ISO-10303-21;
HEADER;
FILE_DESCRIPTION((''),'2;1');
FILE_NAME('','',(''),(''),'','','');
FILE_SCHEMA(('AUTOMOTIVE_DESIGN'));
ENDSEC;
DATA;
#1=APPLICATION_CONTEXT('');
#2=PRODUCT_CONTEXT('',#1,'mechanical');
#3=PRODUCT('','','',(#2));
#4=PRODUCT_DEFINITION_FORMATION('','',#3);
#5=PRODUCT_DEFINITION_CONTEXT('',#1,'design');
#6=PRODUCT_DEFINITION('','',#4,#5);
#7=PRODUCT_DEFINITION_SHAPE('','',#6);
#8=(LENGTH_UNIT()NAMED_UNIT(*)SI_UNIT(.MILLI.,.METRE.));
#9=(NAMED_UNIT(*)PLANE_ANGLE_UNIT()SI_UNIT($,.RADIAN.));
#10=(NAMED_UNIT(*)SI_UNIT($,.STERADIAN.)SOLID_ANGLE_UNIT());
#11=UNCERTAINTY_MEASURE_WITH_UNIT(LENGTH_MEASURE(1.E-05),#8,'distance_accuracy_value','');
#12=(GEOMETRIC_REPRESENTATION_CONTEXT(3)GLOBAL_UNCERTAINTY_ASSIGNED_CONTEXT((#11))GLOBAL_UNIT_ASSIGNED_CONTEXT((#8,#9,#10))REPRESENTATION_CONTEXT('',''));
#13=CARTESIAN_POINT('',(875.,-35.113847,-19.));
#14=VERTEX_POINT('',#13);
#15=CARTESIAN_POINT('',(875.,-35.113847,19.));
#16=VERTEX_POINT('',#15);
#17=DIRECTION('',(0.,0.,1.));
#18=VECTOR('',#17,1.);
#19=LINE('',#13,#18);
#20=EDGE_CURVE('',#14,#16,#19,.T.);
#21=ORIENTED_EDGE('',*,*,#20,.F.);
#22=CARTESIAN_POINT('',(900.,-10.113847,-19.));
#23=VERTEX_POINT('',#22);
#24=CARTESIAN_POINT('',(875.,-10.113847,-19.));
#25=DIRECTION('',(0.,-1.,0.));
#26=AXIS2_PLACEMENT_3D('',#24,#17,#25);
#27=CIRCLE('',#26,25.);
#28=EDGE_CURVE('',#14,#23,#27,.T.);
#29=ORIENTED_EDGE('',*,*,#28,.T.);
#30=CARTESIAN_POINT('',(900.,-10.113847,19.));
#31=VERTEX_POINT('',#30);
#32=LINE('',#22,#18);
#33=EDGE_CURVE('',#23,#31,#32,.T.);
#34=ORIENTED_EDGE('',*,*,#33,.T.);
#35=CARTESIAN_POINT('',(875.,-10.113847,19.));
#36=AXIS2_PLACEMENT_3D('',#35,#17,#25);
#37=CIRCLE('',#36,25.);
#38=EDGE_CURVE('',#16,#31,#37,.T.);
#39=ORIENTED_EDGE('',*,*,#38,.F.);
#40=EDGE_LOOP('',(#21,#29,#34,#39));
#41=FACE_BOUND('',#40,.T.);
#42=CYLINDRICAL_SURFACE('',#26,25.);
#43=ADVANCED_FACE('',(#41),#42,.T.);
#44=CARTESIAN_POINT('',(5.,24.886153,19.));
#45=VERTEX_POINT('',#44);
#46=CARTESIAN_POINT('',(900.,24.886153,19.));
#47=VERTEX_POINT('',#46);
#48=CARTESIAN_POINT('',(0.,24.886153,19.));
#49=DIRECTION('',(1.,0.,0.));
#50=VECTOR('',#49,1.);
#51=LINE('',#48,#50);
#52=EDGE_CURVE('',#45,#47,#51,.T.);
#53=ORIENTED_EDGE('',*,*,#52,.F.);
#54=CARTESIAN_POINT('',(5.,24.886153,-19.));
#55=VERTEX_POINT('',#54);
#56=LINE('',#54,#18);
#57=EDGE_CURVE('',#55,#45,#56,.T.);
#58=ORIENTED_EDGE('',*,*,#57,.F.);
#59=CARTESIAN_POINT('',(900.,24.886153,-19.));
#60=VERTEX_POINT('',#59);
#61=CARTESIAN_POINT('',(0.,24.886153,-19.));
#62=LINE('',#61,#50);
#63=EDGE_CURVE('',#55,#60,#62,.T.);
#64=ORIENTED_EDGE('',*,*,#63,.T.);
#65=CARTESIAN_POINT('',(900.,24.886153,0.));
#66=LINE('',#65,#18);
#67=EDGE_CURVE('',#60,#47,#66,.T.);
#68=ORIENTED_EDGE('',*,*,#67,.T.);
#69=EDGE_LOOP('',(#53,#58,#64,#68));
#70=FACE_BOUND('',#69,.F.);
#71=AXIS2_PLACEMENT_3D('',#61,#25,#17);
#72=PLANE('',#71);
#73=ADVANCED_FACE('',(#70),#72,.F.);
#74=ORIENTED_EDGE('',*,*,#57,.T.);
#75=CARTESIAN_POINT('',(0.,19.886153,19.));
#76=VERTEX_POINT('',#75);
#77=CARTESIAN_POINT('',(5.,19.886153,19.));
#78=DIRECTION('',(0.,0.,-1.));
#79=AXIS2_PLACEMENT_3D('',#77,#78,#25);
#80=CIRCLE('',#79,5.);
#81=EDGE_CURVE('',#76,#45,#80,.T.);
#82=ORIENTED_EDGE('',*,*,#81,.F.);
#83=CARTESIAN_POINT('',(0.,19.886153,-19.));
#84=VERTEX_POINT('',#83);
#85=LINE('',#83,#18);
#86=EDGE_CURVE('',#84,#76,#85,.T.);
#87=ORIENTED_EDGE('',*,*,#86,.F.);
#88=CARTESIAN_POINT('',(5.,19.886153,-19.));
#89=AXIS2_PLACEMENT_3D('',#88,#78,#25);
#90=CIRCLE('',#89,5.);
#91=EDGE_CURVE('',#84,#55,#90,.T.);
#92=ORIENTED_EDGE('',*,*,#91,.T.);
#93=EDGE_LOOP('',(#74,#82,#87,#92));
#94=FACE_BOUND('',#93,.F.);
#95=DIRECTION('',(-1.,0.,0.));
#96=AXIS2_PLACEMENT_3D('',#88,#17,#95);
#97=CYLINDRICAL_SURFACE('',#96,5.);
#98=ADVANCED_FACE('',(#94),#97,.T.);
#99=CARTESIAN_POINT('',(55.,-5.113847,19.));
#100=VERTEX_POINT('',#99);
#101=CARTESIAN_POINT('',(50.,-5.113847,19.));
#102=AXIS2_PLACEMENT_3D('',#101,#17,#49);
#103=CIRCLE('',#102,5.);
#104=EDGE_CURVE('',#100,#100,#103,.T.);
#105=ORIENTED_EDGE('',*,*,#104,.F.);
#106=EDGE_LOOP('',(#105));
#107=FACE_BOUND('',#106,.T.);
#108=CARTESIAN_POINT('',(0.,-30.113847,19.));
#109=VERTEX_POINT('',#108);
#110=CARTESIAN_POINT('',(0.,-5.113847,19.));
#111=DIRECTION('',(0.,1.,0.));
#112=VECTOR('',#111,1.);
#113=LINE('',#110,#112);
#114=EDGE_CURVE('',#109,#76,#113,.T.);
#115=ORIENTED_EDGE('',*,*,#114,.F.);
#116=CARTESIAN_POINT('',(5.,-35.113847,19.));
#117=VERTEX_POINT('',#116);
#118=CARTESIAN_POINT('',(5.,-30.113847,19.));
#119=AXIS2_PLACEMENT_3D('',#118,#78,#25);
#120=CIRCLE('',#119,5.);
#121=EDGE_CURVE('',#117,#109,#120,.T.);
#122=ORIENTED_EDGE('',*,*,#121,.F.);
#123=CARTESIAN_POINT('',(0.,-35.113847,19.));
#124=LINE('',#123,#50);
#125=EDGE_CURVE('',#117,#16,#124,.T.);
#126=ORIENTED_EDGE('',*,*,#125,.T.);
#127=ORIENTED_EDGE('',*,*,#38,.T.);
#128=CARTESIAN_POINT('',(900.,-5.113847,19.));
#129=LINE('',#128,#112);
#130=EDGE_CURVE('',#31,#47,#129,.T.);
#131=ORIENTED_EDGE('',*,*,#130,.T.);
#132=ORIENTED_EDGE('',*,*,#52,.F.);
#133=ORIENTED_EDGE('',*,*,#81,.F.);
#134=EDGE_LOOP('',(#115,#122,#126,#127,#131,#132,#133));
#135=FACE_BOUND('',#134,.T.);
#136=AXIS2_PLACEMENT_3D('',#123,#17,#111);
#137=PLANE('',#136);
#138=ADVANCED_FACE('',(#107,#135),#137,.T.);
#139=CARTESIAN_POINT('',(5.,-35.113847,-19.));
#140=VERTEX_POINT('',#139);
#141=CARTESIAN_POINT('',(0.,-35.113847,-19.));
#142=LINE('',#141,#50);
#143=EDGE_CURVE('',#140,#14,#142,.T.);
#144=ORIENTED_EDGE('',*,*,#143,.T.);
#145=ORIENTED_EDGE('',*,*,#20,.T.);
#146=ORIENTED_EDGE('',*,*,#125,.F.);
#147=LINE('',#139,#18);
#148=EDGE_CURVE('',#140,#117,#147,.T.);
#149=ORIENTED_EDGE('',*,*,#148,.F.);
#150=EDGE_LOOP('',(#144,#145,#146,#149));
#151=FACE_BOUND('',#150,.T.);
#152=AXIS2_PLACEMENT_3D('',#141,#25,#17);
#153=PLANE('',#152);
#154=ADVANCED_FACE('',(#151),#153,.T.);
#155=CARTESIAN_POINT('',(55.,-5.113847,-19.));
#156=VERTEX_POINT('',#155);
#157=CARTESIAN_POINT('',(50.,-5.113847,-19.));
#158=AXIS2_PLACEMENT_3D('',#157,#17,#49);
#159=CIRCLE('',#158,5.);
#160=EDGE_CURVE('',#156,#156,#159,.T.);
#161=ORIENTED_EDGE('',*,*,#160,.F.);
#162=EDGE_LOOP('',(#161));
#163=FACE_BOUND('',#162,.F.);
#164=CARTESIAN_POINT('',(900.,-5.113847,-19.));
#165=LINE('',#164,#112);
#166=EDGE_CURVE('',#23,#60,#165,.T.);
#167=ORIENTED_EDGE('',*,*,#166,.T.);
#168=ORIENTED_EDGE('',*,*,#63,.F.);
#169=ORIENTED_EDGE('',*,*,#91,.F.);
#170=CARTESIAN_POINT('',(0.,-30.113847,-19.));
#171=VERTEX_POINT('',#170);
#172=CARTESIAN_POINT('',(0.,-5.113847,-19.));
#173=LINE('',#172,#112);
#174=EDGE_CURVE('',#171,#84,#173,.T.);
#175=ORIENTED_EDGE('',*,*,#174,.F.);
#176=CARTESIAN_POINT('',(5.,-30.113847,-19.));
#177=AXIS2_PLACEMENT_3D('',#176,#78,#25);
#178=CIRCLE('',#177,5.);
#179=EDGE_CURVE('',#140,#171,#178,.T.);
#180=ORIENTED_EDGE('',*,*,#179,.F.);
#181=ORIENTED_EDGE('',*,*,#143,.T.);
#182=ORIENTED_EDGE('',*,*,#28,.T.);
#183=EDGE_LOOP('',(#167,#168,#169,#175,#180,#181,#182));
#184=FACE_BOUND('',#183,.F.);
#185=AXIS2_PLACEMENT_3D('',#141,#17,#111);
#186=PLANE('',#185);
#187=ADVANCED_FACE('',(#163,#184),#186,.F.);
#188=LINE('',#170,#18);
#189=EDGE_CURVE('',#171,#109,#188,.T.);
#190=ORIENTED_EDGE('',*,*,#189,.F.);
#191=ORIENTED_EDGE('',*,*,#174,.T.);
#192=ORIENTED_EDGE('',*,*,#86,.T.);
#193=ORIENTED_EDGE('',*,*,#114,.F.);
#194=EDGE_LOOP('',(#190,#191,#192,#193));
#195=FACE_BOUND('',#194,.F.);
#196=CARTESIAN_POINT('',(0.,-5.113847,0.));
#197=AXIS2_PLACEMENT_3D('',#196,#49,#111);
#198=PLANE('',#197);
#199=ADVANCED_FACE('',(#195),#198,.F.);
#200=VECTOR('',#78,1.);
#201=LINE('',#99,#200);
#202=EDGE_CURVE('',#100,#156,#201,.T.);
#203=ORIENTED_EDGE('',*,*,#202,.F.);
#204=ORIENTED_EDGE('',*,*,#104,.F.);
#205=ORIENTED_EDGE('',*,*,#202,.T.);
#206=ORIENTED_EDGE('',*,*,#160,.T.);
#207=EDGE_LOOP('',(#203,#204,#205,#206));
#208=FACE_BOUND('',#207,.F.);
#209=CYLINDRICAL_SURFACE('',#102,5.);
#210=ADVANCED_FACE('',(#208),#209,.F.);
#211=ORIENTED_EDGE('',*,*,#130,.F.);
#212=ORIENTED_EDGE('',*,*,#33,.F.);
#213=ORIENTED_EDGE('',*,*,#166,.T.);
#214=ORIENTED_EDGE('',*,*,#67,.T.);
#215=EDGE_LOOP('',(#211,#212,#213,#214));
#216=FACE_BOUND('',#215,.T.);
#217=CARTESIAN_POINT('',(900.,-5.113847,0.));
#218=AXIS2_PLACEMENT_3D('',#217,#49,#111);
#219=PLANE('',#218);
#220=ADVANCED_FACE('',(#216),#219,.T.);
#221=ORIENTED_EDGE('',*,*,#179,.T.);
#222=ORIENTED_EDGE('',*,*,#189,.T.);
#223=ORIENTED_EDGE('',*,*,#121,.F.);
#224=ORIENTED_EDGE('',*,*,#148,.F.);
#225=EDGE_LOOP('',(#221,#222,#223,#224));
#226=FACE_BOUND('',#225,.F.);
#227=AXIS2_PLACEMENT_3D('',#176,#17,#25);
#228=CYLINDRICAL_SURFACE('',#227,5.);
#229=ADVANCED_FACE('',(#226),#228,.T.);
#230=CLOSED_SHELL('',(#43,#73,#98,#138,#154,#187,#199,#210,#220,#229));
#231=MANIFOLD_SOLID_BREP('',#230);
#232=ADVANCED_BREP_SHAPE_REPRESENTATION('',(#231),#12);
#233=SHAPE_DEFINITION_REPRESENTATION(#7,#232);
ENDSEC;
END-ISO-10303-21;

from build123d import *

# Parameters (mm, degrees)
F0_W     = 60
F0_H     = 38
F1_DEPTH = 900
F2_R     = 25
F3_R     = 5
F4_R     = 5
F5_DEPTH = 38.001


with BuildPart() as f1:
    # F0 (on Right) → F1 (new body)
    with BuildSketch(Plane.YZ):
        with Locations((-5.113847, 0)):
            Rectangle(F0_W, F0_H)
    extrude(amount=F1_DEPTH)

    # F2
    f2_edges = [f1.edges().sort_by_distance(p)[0] for p in [
        (900, -35.113847, 0),
    ]]
    fillet(f2_edges, radius=F2_R)

    # F3
    f3_edges = [f1.edges().sort_by_distance(p)[0] for p in [
        (0, 24.886153, 0),
        (0, -35.113847, 0),
    ]]
    fillet(f3_edges, radius=F3_R)

    # F4 (on face) → F5 (cut, through all)
    with BuildSketch(Plane.XY.offset(19)):
        with Locations((50, -5.113847)):
            Circle(F4_R)
    extrude(amount=-F5_DEPTH, mode=Mode.SUBTRACT)


solid = f1.part
